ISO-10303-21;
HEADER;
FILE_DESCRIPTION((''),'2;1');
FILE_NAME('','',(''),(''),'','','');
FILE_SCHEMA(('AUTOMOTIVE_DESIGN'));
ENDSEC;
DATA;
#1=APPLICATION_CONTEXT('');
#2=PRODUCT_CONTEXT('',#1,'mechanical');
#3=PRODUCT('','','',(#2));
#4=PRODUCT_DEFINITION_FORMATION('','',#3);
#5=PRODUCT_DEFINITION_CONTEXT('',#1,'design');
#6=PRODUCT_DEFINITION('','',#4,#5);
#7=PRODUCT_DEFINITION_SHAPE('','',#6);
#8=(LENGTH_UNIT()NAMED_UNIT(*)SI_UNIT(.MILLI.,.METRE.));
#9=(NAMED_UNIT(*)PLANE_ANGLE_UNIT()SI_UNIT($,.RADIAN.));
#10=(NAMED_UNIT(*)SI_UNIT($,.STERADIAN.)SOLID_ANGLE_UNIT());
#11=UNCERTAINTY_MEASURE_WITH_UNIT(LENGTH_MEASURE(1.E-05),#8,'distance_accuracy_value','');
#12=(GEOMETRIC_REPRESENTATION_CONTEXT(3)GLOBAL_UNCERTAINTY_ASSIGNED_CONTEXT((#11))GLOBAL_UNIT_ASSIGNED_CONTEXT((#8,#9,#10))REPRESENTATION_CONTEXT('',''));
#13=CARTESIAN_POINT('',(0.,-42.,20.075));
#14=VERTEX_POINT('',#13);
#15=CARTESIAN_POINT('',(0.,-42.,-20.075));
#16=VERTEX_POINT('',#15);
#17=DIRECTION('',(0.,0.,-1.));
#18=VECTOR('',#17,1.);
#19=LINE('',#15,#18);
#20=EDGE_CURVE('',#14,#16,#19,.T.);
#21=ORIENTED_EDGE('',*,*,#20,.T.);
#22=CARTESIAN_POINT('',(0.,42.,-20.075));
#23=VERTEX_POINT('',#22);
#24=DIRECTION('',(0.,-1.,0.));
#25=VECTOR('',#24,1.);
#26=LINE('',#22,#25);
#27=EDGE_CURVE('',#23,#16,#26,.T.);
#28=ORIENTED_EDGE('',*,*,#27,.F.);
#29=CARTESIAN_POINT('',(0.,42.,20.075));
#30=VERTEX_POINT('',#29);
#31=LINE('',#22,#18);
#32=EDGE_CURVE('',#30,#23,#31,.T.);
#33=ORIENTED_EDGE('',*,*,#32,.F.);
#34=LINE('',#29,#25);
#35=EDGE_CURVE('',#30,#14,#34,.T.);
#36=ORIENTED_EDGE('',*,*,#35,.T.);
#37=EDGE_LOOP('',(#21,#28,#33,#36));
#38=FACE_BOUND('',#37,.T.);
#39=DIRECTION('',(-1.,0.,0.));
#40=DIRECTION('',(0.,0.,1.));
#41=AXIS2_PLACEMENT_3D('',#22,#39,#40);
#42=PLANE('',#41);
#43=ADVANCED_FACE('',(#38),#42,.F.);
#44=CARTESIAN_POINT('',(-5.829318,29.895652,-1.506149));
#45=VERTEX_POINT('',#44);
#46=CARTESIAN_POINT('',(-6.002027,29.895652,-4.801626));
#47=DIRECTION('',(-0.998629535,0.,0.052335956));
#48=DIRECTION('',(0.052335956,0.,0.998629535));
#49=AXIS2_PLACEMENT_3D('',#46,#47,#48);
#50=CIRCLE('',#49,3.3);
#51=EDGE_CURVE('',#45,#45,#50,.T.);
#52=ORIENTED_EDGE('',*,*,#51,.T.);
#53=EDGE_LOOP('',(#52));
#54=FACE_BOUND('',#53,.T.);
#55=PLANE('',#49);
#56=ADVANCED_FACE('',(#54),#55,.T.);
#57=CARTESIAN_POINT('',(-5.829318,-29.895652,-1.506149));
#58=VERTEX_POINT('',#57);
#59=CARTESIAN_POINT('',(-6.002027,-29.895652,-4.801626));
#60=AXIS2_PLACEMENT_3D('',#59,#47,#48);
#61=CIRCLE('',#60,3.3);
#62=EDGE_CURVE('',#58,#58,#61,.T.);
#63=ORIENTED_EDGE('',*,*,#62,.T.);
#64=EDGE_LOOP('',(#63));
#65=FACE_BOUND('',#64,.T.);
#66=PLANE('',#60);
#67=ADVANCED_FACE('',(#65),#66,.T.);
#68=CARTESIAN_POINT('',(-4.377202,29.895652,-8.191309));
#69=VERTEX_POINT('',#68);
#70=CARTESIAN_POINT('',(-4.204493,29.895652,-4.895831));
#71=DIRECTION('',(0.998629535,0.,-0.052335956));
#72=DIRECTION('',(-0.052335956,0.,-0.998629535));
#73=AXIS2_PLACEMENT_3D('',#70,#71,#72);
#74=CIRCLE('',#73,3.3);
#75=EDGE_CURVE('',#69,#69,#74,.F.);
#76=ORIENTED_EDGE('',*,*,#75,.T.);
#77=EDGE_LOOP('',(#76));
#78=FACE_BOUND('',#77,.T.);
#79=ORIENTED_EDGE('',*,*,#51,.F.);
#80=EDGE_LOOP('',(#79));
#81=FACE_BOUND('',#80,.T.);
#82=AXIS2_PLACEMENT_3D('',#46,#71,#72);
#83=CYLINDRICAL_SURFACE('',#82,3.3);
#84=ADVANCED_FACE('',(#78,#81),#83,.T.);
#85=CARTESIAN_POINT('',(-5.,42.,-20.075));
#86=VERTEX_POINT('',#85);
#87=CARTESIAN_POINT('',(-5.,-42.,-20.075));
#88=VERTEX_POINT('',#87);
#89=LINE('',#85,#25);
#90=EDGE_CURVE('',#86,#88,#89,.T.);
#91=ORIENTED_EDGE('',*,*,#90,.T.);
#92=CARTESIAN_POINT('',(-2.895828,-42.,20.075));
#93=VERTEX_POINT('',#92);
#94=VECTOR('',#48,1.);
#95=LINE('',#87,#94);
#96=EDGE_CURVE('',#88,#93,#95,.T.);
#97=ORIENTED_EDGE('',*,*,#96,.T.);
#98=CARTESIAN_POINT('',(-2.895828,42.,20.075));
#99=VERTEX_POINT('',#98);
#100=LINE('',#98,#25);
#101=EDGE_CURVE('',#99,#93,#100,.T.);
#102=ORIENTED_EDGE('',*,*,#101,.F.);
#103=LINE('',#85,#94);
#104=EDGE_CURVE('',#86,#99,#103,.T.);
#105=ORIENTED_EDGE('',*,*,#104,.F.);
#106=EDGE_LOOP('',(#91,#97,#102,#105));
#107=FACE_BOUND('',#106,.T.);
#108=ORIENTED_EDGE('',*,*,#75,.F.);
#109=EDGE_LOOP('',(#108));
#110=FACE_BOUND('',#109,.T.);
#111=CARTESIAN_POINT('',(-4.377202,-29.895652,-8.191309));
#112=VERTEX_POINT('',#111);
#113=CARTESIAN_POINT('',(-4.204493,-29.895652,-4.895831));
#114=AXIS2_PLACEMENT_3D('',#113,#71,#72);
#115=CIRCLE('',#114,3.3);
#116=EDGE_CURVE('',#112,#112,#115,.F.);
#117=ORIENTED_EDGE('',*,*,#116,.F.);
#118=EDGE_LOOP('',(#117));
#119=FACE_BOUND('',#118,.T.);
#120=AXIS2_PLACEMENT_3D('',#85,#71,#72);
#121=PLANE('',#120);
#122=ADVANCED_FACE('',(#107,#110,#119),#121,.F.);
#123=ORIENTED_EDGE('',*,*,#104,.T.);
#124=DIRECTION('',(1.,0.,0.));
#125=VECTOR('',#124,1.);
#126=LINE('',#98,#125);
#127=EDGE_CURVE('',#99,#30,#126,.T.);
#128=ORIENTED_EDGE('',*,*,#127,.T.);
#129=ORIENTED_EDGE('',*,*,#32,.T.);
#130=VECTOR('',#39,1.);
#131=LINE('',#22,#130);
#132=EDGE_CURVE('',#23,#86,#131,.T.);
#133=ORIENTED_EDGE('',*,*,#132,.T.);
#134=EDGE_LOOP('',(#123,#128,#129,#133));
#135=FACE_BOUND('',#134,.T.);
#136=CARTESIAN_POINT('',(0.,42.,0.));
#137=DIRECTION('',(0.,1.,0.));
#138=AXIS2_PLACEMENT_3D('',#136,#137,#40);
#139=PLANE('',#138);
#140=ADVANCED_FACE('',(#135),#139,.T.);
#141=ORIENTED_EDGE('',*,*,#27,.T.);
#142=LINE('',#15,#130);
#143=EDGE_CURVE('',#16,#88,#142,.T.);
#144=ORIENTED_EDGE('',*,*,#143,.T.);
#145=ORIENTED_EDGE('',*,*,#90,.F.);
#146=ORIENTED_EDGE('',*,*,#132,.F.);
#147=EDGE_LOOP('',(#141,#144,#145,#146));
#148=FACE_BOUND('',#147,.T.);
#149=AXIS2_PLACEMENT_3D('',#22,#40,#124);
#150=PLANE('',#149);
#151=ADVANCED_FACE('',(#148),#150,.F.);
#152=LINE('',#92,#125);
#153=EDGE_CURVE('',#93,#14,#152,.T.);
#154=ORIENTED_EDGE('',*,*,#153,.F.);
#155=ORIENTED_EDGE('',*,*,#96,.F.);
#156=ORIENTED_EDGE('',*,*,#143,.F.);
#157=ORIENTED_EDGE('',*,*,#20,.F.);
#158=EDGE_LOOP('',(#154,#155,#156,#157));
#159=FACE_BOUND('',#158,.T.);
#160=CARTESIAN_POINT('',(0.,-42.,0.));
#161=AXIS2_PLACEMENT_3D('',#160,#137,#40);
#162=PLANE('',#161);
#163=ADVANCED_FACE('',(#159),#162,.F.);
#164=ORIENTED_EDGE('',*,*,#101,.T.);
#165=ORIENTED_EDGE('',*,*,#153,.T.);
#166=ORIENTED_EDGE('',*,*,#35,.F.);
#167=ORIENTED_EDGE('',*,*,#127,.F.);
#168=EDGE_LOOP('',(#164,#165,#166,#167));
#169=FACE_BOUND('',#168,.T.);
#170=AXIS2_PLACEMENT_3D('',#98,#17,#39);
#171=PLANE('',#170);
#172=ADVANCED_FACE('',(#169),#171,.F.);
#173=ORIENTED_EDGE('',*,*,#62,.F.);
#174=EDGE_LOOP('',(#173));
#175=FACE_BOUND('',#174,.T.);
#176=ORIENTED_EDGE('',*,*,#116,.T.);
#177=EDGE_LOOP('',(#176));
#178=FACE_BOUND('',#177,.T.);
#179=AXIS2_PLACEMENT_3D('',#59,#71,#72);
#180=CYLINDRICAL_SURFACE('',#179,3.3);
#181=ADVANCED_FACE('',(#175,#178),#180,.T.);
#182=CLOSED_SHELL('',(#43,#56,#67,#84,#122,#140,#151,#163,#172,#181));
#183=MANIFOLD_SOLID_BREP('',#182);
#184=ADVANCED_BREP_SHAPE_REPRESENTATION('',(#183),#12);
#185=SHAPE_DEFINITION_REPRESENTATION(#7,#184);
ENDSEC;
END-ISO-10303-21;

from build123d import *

# Parameters (mm, degrees)
BOSS_EXTRUDE1_DEPTH = 42
SKETCH2_R           = 3.3
BOSS_EXTRUDE2_DEPTH = 1.8


with BuildPart() as part:
    # Sketch1 → Boss-Extrude1 (new body, symmetric)
    with BuildSketch(Plane(origin=(0, 0, 0), x_dir=(1, 0, 0), z_dir=(0, 1, 0))):
        Polygon((0, 20.075), (0, -20.075), (-2.895827662, -20.075), (-5, 20.075), align=None)
    extrude(amount=BOSS_EXTRUDE1_DEPTH, both=True)

    # Sketch2 → Boss-Extrude2 (add)
    with BuildSketch(Plane(origin=(-3.937100288, 0, 0.206334683), x_dir=(0.052335956, 0, 0.998629535), z_dir=(-0.998629535, 0, 0.052335956))):
        with Locations((-5.109167691, -29.895651858)):
            Circle(SKETCH2_R)
        with Locations((-5.109167691, 29.895651858)):
            Circle(SKETCH2_R)
    extrude(amount=BOSS_EXTRUDE2_DEPTH)


solid = part.part
